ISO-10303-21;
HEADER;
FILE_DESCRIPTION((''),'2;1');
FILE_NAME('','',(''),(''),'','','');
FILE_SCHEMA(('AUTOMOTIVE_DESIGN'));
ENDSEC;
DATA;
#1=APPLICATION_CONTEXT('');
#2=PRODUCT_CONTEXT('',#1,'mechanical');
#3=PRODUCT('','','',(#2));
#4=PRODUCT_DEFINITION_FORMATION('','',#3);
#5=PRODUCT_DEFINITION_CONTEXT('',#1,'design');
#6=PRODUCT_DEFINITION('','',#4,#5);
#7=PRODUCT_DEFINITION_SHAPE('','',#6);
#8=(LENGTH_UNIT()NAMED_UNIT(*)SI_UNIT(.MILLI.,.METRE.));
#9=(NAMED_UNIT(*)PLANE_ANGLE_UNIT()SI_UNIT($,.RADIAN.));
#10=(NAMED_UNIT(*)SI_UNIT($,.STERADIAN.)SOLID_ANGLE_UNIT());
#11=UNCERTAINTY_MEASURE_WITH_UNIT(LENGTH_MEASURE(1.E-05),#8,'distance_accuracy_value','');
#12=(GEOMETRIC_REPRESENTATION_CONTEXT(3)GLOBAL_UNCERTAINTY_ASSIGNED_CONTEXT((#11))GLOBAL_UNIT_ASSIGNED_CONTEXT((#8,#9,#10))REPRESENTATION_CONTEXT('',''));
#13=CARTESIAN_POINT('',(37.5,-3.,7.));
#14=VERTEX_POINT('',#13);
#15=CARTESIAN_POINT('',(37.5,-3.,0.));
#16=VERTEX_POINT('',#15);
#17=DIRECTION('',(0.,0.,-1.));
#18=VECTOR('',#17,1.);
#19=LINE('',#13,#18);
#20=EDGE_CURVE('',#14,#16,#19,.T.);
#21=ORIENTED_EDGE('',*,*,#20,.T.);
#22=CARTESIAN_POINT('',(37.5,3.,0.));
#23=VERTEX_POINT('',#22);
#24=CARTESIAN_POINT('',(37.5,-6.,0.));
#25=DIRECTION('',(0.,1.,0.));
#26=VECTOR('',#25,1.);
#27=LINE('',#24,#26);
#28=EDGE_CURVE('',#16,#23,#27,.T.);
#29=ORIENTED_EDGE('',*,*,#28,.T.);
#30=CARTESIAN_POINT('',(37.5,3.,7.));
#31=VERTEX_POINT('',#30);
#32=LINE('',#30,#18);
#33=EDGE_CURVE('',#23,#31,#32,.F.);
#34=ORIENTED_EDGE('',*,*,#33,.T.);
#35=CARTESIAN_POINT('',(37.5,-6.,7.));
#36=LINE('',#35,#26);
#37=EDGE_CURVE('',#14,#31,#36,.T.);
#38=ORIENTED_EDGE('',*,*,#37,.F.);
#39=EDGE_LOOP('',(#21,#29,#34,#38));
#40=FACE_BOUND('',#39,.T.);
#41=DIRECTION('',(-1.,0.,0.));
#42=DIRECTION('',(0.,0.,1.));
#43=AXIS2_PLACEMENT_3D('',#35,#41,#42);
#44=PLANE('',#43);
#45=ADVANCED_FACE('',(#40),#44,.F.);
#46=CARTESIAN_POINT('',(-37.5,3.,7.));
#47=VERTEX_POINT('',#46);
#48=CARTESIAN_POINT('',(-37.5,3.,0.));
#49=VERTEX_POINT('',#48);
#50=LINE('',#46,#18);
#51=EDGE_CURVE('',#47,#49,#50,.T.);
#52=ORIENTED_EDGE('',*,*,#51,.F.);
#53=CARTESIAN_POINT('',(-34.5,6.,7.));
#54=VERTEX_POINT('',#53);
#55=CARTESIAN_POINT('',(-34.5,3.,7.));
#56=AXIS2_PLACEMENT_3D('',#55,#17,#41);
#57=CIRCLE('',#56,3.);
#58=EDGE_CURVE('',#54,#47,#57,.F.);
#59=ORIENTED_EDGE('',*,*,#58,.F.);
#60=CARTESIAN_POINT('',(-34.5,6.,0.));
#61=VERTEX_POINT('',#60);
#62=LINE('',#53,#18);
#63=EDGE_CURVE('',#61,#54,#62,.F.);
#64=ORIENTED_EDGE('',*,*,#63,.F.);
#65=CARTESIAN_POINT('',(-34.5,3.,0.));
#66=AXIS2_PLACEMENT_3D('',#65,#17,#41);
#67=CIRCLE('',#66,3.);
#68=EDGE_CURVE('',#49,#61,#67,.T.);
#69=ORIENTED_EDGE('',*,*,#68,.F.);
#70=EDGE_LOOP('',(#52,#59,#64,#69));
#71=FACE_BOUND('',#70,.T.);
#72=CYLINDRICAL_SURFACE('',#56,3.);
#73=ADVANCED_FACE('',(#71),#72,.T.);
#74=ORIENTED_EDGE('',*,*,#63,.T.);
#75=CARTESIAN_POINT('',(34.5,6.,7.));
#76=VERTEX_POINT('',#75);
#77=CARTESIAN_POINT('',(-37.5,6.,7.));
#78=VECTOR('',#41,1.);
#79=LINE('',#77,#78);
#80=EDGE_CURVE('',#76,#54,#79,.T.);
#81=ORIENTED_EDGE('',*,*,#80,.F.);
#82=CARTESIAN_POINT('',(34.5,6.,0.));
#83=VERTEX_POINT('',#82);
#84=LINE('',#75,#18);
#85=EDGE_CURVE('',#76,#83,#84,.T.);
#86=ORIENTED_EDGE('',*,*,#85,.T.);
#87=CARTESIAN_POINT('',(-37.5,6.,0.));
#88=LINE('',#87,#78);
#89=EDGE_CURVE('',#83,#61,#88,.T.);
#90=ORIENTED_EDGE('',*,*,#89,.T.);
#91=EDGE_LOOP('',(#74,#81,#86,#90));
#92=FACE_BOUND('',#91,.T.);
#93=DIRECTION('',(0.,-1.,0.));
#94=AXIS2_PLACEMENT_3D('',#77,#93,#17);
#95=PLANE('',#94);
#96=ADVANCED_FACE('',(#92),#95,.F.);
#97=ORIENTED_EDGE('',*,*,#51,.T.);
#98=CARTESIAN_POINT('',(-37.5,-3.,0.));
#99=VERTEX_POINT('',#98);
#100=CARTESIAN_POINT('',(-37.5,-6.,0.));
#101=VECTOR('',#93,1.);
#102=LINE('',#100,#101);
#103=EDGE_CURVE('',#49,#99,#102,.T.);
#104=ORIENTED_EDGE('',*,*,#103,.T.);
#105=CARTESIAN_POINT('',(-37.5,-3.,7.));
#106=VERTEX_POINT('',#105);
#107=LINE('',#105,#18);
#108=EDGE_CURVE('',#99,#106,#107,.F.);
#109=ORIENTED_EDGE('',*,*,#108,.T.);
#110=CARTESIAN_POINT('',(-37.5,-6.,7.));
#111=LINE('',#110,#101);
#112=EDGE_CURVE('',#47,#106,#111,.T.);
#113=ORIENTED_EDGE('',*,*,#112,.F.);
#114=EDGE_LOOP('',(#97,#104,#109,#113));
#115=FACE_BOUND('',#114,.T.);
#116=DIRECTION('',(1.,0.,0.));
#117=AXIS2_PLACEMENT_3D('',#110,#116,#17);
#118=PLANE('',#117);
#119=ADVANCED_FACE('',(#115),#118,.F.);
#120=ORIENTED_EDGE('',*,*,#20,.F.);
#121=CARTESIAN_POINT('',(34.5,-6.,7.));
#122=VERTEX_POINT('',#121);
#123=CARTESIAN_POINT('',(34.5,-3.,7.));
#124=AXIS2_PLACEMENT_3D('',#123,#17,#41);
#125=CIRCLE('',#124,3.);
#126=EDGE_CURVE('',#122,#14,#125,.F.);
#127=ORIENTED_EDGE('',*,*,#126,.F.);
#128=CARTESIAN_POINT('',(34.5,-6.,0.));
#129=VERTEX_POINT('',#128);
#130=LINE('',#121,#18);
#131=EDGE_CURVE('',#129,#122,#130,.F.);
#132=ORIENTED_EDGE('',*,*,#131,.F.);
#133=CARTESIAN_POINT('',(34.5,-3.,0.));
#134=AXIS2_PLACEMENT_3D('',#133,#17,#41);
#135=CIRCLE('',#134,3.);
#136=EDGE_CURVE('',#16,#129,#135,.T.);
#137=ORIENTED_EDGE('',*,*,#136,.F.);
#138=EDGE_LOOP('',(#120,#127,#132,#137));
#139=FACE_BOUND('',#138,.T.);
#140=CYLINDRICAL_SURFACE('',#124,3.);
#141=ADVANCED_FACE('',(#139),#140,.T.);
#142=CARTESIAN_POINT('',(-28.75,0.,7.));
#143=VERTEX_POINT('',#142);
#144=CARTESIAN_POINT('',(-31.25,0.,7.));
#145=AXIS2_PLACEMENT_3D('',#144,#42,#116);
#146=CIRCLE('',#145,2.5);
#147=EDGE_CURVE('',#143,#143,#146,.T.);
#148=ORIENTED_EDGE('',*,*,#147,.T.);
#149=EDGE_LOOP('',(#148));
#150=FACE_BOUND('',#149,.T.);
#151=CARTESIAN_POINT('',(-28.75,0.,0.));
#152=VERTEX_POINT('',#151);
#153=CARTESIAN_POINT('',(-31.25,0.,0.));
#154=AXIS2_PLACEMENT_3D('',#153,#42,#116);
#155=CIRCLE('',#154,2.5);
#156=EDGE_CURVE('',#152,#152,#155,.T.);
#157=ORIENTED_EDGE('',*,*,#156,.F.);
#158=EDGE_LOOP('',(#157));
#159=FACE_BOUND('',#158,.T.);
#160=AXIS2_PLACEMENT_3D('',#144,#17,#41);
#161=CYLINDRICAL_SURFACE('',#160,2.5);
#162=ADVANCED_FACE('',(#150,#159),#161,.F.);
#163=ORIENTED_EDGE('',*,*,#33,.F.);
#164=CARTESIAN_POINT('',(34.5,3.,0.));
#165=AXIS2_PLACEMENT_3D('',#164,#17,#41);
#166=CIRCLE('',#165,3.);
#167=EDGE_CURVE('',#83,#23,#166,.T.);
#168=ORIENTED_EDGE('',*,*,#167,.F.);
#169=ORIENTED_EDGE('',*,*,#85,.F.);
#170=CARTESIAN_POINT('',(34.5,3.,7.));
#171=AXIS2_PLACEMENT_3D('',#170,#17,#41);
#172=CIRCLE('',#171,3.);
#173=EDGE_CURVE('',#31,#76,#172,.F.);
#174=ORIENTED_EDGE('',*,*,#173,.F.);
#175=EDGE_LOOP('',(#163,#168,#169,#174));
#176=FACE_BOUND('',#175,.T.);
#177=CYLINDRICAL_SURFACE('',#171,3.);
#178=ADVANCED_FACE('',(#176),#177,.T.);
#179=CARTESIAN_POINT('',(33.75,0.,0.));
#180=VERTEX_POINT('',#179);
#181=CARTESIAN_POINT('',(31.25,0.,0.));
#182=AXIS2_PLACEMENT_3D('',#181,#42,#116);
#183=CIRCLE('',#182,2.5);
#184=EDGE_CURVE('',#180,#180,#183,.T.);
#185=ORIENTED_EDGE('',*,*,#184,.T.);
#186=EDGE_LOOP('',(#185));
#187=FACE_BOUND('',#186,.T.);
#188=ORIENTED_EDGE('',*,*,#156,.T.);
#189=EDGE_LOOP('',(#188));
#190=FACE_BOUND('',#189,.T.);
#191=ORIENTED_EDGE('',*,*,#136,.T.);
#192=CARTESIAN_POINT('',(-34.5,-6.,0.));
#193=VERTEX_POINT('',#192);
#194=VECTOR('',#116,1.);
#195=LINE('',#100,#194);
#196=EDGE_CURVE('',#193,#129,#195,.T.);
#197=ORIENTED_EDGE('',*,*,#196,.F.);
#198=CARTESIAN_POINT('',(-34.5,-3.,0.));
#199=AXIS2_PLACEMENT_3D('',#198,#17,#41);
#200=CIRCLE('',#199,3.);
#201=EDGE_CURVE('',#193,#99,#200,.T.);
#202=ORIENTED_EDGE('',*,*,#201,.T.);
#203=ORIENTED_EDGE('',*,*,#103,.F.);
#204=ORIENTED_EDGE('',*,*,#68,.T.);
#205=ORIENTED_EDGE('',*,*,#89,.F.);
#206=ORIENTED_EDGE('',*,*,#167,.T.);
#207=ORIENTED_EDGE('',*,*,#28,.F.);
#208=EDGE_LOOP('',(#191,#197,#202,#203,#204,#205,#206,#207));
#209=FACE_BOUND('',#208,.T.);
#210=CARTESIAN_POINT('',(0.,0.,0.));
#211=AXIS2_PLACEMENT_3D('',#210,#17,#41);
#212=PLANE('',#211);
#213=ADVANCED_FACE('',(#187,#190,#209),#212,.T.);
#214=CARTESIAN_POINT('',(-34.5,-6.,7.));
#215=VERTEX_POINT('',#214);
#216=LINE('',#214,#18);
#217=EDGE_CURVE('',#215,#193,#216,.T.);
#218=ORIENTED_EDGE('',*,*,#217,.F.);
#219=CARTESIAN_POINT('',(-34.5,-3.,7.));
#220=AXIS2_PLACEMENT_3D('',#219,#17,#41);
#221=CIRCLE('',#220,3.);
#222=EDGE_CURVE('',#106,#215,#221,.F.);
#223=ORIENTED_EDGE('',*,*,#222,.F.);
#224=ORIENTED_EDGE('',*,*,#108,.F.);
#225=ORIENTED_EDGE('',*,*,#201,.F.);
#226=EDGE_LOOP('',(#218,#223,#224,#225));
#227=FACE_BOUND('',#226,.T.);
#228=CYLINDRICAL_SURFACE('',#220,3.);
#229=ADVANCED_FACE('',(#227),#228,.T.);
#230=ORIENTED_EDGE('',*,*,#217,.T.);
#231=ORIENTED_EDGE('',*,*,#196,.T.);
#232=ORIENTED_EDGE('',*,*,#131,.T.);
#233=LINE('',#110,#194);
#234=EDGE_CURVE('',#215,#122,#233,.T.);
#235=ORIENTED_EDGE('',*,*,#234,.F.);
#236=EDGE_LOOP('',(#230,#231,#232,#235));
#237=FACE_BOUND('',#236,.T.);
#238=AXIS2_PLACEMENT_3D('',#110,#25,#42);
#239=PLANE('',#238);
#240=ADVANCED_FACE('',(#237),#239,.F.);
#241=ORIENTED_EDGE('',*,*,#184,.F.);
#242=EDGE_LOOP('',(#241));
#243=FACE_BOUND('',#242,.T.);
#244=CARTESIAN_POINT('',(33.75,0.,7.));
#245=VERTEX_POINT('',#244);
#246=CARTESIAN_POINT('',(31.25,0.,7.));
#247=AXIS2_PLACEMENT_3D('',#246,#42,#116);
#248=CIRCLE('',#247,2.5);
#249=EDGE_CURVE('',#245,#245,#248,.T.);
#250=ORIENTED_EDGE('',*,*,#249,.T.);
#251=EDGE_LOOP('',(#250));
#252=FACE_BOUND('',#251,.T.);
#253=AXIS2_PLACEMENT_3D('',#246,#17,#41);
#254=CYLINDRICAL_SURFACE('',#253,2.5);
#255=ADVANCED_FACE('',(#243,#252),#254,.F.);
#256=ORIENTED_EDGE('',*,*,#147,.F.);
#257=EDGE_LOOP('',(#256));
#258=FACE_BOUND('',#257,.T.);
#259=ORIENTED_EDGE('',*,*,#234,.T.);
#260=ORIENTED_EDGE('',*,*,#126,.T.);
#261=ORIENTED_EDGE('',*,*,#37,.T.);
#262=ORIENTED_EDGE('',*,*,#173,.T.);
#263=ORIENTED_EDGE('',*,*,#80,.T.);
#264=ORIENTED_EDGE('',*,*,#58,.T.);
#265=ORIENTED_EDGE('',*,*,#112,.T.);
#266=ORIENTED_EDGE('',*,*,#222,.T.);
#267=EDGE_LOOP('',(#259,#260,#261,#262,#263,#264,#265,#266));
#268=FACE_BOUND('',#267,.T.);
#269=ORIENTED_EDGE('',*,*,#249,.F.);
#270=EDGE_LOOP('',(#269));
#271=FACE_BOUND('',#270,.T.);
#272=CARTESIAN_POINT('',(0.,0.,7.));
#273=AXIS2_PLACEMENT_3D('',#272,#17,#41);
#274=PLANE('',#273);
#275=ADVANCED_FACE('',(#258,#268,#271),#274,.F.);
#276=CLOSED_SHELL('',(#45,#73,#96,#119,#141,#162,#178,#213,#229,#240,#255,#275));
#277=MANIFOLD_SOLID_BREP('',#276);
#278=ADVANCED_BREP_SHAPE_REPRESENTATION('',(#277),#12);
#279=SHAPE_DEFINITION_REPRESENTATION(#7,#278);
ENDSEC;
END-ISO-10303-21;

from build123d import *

# Parameters (mm, degrees)
SKETCH1_W           = 75
SKETCH1_H           = 12
SKETCH1_R           = 2.5
BOSS_EXTRUDE1_DEPTH = 7
FILLET1_R           = 3


with BuildPart() as part:
    # Sketch1 → Boss-Extrude1 (new body)
    with BuildSketch(Plane.XY):
        Rectangle(SKETCH1_W, SKETCH1_H)
        with Locations((31.25, 0)):
            Circle(SKETCH1_R, mode=Mode.SUBTRACT)
        with Locations((-31.25, 0)):
            Circle(SKETCH1_R, mode=Mode.SUBTRACT)
    extrude(amount=BOSS_EXTRUDE1_DEPTH)

    # Fillet1
    fillet1_edges = [part.edges().sort_by_distance(p)[0] for p in [
        (37.5, -6, 3.5),
        (-37.5, -6, 3.5),
        (-37.5, 6, 3.5),
        (37.5, 6, 3.5),
    ]]
    fillet(fillet1_edges, radius=FILLET1_R)


solid = part.part
